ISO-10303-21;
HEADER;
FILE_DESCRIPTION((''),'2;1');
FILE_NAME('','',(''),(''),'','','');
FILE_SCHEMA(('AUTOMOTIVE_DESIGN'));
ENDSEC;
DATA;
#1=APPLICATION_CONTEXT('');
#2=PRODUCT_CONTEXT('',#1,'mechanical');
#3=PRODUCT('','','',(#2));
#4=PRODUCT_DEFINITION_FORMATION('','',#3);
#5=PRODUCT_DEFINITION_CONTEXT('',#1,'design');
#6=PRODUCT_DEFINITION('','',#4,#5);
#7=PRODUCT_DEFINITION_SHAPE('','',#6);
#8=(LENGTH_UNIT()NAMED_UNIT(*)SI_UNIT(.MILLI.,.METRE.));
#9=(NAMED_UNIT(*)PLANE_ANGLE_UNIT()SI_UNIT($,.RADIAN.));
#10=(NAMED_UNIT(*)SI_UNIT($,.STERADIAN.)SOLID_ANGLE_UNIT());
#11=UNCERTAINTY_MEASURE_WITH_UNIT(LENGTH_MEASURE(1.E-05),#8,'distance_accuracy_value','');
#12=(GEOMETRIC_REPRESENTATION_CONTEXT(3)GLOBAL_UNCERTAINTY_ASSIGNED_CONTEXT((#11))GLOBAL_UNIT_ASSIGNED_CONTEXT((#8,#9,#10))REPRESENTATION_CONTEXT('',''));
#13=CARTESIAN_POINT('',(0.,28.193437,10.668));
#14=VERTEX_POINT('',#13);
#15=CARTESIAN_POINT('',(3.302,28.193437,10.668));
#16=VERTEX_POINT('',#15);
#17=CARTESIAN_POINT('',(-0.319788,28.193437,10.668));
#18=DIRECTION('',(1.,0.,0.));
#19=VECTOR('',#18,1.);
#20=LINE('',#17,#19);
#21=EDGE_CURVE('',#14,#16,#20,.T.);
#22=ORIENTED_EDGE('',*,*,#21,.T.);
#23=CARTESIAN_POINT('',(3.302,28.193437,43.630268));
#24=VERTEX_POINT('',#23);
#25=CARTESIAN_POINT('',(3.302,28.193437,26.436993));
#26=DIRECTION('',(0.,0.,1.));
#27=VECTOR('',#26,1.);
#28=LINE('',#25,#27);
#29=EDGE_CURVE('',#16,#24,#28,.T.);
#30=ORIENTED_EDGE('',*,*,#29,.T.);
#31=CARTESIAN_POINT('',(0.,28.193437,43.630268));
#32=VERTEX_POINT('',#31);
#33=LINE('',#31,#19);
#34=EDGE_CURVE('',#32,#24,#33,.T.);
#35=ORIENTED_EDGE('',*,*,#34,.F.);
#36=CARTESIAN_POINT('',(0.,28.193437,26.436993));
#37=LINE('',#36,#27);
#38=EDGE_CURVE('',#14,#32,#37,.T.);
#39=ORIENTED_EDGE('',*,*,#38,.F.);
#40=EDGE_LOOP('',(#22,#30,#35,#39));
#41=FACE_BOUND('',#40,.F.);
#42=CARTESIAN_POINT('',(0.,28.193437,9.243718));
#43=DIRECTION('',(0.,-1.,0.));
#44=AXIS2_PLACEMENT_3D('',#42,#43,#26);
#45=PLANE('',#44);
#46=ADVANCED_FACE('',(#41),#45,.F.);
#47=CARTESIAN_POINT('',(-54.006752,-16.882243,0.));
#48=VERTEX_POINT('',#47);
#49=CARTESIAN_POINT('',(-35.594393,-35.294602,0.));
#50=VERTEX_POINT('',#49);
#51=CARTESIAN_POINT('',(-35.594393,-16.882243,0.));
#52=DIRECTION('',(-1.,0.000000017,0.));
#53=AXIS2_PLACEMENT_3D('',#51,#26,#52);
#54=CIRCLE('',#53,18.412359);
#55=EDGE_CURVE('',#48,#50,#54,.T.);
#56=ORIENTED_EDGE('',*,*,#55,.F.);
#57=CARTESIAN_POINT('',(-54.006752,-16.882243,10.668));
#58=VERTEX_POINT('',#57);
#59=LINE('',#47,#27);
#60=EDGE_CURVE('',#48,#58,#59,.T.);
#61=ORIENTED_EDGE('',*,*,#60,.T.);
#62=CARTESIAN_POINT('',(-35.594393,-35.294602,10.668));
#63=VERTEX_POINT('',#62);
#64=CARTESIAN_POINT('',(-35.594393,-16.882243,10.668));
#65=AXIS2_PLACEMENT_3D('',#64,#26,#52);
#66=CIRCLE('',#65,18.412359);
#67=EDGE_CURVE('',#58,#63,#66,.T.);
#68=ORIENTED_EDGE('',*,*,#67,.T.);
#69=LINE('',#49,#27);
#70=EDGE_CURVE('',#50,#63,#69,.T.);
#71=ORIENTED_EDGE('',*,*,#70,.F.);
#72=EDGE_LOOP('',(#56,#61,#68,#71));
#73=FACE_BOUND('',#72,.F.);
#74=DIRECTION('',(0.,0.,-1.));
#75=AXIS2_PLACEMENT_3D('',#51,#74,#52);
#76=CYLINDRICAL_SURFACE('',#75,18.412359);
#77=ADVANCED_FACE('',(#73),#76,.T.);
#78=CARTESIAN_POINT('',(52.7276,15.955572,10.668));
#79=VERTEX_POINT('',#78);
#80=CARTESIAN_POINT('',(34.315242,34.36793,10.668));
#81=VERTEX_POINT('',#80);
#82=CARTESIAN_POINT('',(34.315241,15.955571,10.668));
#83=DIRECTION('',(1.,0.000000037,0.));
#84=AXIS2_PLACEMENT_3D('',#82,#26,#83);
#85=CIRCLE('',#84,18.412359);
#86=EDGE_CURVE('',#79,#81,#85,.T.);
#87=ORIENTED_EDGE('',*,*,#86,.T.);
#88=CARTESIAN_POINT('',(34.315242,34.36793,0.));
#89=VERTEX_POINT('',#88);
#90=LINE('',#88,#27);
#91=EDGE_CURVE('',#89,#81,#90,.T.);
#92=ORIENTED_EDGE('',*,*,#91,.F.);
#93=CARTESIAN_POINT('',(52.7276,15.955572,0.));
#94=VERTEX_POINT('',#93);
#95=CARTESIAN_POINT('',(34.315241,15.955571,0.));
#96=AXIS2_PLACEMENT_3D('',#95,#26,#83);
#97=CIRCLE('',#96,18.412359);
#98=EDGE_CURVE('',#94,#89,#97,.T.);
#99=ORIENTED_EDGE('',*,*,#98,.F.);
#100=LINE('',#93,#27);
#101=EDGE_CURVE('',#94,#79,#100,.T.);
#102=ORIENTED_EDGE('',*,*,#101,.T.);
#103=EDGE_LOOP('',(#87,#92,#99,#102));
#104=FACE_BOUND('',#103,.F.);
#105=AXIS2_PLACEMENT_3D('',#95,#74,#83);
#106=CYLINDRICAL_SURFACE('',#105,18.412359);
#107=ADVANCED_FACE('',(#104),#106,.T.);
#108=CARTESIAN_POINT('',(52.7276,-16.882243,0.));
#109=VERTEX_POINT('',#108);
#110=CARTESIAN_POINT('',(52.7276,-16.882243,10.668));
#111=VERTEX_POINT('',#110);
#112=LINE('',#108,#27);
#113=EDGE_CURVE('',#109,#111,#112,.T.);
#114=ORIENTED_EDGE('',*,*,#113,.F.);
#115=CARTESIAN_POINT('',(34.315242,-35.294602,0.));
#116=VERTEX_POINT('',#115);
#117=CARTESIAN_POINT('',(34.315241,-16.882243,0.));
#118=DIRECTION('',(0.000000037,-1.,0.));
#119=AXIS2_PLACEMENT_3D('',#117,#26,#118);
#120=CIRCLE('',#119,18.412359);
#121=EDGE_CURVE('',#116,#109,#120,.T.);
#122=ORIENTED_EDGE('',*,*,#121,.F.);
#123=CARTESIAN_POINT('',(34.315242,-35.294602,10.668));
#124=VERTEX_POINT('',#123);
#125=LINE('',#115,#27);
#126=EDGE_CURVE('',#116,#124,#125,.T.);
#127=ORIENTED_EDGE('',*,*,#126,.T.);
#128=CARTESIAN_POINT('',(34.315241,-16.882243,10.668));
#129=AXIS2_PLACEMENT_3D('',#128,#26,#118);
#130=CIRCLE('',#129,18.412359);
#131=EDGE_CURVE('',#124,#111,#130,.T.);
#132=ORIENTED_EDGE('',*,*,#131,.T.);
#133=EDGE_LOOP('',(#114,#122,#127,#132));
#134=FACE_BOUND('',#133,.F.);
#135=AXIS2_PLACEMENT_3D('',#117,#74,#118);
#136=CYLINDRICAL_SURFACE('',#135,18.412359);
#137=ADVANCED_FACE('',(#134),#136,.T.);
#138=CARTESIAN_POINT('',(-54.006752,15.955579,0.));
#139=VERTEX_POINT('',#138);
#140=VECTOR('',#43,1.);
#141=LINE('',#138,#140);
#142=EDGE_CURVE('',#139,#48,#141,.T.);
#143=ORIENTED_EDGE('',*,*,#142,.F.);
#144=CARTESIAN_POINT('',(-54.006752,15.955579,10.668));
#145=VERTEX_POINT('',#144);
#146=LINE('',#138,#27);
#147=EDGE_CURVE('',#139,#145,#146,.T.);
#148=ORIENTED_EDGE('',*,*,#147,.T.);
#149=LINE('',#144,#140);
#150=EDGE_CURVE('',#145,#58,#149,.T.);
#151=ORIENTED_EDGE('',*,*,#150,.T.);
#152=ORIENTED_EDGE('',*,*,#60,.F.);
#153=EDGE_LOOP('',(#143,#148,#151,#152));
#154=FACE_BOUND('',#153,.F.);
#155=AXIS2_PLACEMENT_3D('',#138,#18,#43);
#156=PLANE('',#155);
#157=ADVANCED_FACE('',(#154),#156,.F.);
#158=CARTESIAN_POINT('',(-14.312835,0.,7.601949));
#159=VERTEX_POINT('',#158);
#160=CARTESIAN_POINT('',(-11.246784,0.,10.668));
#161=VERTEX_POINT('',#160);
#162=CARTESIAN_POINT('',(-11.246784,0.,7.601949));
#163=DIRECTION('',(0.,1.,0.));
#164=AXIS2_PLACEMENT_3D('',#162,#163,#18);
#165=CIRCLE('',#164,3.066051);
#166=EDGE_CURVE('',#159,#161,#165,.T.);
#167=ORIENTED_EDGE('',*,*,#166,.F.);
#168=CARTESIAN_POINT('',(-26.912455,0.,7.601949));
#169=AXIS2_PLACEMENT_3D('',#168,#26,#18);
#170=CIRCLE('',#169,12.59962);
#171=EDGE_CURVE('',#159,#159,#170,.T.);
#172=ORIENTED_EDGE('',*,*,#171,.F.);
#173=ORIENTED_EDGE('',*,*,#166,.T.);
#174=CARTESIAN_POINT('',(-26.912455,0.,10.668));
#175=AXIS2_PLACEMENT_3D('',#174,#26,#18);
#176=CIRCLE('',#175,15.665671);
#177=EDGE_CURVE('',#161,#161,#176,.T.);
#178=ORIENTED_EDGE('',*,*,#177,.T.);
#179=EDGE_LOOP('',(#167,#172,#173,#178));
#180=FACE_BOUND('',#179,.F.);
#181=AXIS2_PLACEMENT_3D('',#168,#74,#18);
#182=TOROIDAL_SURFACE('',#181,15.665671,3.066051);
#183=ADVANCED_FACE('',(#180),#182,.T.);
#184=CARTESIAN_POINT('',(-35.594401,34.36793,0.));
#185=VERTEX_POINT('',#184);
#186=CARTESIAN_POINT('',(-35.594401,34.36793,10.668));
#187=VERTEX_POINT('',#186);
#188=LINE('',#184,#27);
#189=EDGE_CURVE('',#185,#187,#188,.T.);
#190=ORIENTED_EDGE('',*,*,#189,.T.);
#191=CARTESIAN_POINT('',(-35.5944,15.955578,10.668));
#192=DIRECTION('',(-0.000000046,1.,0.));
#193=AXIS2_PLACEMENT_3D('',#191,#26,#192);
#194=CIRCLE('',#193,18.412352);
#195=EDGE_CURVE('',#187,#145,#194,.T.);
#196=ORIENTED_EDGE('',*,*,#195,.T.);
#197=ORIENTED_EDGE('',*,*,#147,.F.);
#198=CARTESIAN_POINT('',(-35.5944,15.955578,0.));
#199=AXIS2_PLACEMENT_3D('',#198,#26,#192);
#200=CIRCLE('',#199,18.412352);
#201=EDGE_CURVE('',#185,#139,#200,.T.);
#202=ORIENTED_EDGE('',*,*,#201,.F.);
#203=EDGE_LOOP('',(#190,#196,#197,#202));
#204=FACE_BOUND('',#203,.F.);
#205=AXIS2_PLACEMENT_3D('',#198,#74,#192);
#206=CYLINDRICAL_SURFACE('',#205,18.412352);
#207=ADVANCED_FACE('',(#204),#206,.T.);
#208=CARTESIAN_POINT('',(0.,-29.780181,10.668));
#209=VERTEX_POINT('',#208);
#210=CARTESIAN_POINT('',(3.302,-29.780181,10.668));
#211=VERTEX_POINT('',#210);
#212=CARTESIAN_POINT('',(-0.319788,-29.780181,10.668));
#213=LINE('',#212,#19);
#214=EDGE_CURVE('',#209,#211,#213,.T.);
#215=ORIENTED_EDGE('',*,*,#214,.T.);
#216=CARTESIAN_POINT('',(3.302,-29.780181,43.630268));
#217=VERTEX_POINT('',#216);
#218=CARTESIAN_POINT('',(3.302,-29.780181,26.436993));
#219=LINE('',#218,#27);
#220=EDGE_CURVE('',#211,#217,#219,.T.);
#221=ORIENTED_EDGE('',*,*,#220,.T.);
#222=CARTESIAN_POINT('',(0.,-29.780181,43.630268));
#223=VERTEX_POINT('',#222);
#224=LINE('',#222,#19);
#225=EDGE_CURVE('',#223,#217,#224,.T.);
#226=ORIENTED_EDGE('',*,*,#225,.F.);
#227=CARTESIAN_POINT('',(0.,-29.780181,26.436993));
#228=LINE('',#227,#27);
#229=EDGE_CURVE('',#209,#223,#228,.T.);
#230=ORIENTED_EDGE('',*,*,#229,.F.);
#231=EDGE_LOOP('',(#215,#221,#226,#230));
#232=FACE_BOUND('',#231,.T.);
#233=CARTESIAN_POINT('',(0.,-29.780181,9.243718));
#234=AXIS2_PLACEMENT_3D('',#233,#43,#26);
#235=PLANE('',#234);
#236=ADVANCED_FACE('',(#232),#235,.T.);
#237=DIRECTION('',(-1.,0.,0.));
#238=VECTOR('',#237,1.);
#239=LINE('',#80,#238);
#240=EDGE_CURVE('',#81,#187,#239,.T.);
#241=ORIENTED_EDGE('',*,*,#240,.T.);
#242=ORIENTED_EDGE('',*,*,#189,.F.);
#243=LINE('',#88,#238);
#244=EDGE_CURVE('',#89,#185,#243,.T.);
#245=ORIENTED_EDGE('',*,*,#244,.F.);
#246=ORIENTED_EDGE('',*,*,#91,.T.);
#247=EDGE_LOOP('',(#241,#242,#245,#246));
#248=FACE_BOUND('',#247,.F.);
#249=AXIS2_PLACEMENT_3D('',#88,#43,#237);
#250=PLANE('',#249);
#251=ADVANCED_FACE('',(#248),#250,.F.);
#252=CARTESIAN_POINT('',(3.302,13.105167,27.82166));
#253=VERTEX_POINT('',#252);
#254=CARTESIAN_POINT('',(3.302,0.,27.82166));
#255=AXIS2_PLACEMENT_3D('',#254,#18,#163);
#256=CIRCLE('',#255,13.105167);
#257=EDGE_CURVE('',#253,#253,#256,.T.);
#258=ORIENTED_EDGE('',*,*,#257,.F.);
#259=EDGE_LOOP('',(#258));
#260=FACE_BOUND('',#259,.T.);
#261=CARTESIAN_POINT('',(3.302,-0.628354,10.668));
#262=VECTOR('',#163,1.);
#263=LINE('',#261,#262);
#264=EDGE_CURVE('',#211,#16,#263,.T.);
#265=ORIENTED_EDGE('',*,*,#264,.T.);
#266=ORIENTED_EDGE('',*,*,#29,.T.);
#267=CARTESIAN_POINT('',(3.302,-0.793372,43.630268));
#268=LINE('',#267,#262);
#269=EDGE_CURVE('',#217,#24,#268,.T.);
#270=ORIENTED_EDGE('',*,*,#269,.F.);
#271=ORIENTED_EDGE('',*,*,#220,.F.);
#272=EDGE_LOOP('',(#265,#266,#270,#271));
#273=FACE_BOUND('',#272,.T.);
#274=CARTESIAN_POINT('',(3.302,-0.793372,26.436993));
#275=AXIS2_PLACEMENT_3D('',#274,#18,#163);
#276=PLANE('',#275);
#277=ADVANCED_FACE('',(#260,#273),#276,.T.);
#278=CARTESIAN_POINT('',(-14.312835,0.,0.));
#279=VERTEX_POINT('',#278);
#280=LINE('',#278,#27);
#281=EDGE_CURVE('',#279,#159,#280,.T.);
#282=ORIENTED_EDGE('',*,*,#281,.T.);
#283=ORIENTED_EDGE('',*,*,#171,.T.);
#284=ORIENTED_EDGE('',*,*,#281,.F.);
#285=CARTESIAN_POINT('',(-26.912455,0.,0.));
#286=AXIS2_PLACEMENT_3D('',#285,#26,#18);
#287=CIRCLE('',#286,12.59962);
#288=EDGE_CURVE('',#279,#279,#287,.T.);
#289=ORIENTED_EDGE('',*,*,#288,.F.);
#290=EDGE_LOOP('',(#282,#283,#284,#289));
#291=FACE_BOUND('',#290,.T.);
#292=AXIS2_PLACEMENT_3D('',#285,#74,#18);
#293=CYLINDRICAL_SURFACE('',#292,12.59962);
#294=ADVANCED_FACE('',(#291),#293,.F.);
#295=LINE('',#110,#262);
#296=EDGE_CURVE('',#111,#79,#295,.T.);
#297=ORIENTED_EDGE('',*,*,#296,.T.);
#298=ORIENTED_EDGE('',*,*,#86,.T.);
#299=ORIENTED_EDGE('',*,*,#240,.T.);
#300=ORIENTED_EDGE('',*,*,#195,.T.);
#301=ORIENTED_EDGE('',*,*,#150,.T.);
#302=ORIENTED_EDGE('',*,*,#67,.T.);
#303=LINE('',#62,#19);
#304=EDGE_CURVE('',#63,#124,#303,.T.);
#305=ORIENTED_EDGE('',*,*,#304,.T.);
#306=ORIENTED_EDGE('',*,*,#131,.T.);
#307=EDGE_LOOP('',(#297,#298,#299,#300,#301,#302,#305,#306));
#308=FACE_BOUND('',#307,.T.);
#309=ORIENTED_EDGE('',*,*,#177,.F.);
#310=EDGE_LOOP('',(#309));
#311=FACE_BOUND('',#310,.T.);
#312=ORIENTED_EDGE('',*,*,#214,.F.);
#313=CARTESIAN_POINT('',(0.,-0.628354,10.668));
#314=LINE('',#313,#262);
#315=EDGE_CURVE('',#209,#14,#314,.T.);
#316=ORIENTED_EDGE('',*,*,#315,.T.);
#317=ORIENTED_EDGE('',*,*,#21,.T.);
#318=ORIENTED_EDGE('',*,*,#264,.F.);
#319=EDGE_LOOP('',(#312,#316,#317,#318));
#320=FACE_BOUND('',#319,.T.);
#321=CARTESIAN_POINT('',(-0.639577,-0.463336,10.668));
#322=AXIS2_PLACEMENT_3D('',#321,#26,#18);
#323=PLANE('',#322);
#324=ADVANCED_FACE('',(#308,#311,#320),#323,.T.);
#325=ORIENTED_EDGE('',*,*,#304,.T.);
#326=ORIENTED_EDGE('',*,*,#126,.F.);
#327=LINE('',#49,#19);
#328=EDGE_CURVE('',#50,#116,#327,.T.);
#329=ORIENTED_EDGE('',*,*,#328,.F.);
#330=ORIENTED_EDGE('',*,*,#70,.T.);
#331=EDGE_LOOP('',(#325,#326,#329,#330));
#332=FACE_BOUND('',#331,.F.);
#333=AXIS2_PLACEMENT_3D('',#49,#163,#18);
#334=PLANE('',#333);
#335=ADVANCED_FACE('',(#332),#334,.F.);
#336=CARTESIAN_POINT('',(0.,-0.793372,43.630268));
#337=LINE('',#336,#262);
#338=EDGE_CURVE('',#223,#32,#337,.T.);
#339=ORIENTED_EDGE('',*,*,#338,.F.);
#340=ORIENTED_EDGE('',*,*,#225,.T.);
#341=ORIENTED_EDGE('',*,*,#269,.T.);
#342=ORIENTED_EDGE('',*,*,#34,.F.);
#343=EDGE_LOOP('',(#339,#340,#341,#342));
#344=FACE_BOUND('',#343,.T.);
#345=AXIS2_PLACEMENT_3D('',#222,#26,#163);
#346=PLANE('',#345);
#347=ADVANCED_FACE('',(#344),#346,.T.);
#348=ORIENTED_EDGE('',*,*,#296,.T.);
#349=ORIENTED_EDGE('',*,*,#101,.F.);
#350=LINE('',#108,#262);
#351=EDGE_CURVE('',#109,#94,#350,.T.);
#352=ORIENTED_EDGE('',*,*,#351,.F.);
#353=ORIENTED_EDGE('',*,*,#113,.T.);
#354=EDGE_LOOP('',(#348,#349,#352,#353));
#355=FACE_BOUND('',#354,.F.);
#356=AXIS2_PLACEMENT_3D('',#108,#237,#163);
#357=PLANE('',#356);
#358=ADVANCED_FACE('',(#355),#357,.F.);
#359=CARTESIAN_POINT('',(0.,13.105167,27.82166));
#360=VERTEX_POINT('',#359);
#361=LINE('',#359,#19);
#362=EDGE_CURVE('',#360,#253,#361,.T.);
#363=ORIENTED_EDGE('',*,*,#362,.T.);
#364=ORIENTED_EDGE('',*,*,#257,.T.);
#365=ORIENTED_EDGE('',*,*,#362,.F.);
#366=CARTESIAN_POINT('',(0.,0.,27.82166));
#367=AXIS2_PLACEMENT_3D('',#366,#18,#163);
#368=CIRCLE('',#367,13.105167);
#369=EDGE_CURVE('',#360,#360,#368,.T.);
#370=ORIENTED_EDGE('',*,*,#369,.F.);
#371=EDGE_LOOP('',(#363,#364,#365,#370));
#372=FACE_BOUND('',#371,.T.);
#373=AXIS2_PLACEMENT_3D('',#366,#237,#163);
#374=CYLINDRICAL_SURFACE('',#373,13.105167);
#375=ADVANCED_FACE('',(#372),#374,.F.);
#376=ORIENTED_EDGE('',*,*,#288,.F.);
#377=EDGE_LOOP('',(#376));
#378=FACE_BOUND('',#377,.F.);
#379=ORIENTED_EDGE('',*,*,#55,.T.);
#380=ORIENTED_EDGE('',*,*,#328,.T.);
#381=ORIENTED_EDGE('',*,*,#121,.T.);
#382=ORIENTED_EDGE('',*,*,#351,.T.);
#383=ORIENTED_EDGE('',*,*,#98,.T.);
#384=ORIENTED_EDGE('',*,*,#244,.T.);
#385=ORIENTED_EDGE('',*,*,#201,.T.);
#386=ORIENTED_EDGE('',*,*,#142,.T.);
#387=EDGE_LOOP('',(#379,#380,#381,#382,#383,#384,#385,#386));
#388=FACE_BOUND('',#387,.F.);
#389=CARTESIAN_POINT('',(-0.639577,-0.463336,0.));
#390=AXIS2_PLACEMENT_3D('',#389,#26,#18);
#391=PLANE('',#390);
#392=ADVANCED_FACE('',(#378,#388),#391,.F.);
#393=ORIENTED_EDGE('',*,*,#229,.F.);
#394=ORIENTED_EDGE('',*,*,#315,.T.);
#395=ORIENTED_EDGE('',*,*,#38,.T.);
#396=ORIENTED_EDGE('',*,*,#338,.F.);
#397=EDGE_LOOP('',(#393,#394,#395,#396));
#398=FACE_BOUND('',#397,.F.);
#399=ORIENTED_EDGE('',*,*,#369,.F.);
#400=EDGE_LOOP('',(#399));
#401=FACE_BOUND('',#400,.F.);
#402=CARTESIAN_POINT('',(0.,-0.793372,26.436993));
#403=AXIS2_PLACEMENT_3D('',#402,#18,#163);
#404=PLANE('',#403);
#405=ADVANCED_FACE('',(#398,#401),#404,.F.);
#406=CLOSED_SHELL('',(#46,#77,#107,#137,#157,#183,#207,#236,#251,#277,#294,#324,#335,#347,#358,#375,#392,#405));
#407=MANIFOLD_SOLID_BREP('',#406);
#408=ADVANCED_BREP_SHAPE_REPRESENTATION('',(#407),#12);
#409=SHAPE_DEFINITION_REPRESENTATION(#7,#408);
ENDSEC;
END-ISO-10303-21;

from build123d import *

# Parameters (mm, degrees)
F0_R     = 12.59962
F1_DEPTH = 10.668
F2_R     = 3.066051
F3_W     = 57.973618
F3_H     = 34.38655
F3_R     = 13.105167
F4_DEPTH = 3.302


with BuildPart() as f1:
    # F0 (on Top) → F1 (new body)
    with BuildSketch(Plane.XY):
        with BuildLine():
            Line((34.315242, 34.36793), (-35.594401, 34.36793))
            ThreePointArc((-35.594401, 34.36793), (-48.613899, 28.975077), (-54.006752, 15.955579))
            Line((-54.006752, 15.955579), (-54.006752, -16.882243))
            ThreePointArc((-54.006752, -16.882243), (-48.613897, -29.901747), (-35.594393, -35.294602))
            Line((-35.594393, -35.294602), (34.315242, -35.294602))
            ThreePointArc((34.315242, -35.294602), (47.334745, -29.901747), (52.7276, -16.882243))
            Line((52.7276, -16.882243), (52.7276, 15.955572))
            ThreePointArc((52.7276, 15.955572), (47.334745, 28.975075), (34.315242, 34.36793))
        make_face()
        with Locations((-26.912455, 0)):
            Circle(F0_R, mode=Mode.SUBTRACT)
    extrude(amount=F1_DEPTH)

    # F2
    f2_edges = [f1.edges().sort_by_distance(p)[0] for p in [
        (-39.512074, 0, 10.668),
    ]]
    fillet(f2_edges, radius=F2_R)

    # F3 (on Right) → F4 (join)
    with BuildSketch(Plane.YZ):
        with Locations((-0.793372, 26.436993)):
            Rectangle(F3_W, F3_H)
        with Locations((0, 27.82166)):
            Circle(F3_R, mode=Mode.SUBTRACT)
    extrude(amount=F4_DEPTH)


solid = f1.part
